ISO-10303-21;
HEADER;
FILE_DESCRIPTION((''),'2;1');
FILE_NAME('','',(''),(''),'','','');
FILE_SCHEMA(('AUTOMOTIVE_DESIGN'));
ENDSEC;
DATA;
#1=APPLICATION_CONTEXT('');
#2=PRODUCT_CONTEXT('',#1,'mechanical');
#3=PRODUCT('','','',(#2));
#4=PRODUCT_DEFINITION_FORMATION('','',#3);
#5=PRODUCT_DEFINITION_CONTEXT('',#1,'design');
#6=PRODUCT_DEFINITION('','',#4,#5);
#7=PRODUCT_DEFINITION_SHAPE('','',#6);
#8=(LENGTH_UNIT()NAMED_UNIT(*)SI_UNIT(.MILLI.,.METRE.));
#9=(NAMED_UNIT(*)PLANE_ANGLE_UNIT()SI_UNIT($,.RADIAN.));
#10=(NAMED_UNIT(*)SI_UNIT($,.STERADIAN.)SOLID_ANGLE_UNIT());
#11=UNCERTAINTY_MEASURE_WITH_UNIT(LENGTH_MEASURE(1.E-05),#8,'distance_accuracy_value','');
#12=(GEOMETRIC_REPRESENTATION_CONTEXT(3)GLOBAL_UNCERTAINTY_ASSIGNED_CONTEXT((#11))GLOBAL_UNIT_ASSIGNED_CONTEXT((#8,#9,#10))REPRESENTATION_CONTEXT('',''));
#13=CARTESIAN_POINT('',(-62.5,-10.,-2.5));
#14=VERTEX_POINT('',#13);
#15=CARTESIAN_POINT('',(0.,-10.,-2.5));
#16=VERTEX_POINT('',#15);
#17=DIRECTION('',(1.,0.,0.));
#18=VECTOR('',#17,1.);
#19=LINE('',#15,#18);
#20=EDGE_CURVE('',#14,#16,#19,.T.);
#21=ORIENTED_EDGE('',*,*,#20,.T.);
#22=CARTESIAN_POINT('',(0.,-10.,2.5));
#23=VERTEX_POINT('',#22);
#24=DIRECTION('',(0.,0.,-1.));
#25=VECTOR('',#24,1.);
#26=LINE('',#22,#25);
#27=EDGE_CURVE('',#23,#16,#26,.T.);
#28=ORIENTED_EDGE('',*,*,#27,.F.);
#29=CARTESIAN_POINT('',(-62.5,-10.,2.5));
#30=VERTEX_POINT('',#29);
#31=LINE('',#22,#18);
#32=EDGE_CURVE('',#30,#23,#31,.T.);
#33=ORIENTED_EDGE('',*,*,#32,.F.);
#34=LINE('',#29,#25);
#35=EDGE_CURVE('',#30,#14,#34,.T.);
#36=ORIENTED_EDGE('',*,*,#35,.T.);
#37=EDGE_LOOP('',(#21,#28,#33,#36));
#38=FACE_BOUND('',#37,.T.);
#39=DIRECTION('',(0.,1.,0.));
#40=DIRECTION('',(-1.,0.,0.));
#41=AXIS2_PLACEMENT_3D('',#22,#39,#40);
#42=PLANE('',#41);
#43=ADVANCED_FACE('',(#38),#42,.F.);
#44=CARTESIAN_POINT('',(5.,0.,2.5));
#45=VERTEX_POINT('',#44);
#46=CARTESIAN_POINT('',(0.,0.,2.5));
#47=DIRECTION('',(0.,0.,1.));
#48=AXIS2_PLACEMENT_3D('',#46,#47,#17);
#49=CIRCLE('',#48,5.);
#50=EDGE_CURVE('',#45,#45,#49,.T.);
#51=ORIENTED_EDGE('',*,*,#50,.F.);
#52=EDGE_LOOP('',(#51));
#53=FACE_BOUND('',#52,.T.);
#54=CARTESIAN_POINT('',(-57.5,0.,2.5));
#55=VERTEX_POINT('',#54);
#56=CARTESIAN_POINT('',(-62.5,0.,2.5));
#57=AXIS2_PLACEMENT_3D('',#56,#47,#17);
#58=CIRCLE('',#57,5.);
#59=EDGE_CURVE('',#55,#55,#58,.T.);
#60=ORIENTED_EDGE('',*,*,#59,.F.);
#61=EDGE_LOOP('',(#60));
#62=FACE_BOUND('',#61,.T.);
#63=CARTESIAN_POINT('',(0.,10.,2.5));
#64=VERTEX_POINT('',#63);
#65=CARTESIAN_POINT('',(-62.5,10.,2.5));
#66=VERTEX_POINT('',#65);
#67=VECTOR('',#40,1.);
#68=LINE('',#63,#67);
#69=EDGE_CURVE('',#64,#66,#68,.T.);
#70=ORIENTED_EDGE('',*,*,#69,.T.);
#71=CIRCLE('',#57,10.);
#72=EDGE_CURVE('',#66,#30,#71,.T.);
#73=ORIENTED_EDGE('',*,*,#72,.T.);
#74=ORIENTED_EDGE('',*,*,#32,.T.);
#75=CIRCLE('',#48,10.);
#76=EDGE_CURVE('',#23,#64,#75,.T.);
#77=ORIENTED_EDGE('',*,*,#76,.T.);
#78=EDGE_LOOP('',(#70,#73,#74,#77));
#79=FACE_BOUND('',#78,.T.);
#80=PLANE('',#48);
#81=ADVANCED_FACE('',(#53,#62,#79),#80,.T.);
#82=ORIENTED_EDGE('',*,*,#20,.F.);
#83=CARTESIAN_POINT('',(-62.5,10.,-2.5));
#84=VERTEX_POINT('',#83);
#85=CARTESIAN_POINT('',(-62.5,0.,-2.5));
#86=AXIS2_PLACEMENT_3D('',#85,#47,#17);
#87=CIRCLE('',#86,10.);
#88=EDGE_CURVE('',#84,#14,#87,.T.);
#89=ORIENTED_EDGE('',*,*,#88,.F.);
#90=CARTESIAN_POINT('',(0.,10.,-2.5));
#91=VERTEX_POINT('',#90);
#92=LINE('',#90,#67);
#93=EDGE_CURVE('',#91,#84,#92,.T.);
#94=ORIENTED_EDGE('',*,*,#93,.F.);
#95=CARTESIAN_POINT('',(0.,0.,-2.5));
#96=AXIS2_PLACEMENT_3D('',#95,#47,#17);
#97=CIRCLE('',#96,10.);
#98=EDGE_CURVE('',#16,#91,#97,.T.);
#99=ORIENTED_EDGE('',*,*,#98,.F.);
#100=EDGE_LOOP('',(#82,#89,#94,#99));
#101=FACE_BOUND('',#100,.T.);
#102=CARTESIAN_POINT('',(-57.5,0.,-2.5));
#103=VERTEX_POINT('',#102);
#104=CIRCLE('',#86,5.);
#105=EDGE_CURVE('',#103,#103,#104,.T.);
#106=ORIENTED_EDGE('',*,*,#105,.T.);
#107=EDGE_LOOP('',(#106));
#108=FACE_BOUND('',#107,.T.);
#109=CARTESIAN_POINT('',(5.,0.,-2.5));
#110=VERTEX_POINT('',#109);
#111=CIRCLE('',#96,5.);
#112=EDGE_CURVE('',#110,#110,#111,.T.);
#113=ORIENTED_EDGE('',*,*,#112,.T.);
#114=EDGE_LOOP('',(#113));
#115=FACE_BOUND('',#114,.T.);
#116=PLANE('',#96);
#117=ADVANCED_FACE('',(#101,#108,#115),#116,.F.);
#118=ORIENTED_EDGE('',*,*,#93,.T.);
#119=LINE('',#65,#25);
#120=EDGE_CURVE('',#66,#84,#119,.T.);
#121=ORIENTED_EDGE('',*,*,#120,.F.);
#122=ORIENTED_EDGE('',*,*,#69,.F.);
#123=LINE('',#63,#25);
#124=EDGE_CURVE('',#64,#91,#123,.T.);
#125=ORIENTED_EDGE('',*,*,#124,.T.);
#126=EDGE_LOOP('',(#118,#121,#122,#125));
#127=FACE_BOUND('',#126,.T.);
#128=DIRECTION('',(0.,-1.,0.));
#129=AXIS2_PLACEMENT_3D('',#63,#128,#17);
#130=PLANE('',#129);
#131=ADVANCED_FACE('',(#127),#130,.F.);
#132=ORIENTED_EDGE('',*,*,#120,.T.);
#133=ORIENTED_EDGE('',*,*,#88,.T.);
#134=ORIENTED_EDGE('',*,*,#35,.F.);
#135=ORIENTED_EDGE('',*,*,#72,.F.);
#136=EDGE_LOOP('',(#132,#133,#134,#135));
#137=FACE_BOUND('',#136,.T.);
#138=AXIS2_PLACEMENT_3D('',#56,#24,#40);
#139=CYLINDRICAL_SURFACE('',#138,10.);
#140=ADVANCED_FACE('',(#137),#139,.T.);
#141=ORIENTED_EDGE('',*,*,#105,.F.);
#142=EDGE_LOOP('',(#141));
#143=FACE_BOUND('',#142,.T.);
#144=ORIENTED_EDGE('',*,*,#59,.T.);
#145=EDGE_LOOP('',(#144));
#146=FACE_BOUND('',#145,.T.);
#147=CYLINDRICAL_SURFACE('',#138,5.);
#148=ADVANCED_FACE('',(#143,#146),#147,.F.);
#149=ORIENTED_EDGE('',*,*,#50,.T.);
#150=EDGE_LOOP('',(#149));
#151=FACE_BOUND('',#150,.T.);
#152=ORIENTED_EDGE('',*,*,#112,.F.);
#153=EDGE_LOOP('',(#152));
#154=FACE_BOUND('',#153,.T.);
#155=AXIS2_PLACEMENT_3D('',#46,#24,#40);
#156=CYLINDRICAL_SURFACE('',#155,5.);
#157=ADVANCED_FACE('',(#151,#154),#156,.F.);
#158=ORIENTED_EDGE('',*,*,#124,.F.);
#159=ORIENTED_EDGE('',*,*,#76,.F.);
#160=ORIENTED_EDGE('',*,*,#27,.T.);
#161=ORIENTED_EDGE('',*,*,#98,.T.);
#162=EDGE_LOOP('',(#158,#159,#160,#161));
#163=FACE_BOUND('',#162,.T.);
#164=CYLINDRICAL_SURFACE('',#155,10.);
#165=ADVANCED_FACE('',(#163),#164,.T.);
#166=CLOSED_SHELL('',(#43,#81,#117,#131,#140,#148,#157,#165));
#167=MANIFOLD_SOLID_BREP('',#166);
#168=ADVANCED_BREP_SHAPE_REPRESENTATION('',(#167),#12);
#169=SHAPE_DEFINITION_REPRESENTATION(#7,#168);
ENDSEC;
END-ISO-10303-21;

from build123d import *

# Parameters (mm, degrees)
SKETCH1_R           = 5
BOSS_EXTRUDE1_DEPTH = 2.5


with BuildPart() as part:
    # Sketch1 → Boss-Extrude1 (new, symmetric)
    with BuildSketch(Plane.XY):
        with BuildLine():
            Line((0, -10), (-62.5, -10))
            ThreePointArc((-62.5, -10), (-72.5, 0), (-62.5, 10))
            Line((-62.5, 10), (0, 10))
            ThreePointArc((0, 10), (10, 0), (0, -10))
        make_face()
        with Locations((-62.5, 0)):
            Circle(SKETCH1_R, mode=Mode.SUBTRACT)
        Circle(SKETCH1_R, mode=Mode.SUBTRACT)
    extrude(amount=BOSS_EXTRUDE1_DEPTH, both=True)


solid = part.part
